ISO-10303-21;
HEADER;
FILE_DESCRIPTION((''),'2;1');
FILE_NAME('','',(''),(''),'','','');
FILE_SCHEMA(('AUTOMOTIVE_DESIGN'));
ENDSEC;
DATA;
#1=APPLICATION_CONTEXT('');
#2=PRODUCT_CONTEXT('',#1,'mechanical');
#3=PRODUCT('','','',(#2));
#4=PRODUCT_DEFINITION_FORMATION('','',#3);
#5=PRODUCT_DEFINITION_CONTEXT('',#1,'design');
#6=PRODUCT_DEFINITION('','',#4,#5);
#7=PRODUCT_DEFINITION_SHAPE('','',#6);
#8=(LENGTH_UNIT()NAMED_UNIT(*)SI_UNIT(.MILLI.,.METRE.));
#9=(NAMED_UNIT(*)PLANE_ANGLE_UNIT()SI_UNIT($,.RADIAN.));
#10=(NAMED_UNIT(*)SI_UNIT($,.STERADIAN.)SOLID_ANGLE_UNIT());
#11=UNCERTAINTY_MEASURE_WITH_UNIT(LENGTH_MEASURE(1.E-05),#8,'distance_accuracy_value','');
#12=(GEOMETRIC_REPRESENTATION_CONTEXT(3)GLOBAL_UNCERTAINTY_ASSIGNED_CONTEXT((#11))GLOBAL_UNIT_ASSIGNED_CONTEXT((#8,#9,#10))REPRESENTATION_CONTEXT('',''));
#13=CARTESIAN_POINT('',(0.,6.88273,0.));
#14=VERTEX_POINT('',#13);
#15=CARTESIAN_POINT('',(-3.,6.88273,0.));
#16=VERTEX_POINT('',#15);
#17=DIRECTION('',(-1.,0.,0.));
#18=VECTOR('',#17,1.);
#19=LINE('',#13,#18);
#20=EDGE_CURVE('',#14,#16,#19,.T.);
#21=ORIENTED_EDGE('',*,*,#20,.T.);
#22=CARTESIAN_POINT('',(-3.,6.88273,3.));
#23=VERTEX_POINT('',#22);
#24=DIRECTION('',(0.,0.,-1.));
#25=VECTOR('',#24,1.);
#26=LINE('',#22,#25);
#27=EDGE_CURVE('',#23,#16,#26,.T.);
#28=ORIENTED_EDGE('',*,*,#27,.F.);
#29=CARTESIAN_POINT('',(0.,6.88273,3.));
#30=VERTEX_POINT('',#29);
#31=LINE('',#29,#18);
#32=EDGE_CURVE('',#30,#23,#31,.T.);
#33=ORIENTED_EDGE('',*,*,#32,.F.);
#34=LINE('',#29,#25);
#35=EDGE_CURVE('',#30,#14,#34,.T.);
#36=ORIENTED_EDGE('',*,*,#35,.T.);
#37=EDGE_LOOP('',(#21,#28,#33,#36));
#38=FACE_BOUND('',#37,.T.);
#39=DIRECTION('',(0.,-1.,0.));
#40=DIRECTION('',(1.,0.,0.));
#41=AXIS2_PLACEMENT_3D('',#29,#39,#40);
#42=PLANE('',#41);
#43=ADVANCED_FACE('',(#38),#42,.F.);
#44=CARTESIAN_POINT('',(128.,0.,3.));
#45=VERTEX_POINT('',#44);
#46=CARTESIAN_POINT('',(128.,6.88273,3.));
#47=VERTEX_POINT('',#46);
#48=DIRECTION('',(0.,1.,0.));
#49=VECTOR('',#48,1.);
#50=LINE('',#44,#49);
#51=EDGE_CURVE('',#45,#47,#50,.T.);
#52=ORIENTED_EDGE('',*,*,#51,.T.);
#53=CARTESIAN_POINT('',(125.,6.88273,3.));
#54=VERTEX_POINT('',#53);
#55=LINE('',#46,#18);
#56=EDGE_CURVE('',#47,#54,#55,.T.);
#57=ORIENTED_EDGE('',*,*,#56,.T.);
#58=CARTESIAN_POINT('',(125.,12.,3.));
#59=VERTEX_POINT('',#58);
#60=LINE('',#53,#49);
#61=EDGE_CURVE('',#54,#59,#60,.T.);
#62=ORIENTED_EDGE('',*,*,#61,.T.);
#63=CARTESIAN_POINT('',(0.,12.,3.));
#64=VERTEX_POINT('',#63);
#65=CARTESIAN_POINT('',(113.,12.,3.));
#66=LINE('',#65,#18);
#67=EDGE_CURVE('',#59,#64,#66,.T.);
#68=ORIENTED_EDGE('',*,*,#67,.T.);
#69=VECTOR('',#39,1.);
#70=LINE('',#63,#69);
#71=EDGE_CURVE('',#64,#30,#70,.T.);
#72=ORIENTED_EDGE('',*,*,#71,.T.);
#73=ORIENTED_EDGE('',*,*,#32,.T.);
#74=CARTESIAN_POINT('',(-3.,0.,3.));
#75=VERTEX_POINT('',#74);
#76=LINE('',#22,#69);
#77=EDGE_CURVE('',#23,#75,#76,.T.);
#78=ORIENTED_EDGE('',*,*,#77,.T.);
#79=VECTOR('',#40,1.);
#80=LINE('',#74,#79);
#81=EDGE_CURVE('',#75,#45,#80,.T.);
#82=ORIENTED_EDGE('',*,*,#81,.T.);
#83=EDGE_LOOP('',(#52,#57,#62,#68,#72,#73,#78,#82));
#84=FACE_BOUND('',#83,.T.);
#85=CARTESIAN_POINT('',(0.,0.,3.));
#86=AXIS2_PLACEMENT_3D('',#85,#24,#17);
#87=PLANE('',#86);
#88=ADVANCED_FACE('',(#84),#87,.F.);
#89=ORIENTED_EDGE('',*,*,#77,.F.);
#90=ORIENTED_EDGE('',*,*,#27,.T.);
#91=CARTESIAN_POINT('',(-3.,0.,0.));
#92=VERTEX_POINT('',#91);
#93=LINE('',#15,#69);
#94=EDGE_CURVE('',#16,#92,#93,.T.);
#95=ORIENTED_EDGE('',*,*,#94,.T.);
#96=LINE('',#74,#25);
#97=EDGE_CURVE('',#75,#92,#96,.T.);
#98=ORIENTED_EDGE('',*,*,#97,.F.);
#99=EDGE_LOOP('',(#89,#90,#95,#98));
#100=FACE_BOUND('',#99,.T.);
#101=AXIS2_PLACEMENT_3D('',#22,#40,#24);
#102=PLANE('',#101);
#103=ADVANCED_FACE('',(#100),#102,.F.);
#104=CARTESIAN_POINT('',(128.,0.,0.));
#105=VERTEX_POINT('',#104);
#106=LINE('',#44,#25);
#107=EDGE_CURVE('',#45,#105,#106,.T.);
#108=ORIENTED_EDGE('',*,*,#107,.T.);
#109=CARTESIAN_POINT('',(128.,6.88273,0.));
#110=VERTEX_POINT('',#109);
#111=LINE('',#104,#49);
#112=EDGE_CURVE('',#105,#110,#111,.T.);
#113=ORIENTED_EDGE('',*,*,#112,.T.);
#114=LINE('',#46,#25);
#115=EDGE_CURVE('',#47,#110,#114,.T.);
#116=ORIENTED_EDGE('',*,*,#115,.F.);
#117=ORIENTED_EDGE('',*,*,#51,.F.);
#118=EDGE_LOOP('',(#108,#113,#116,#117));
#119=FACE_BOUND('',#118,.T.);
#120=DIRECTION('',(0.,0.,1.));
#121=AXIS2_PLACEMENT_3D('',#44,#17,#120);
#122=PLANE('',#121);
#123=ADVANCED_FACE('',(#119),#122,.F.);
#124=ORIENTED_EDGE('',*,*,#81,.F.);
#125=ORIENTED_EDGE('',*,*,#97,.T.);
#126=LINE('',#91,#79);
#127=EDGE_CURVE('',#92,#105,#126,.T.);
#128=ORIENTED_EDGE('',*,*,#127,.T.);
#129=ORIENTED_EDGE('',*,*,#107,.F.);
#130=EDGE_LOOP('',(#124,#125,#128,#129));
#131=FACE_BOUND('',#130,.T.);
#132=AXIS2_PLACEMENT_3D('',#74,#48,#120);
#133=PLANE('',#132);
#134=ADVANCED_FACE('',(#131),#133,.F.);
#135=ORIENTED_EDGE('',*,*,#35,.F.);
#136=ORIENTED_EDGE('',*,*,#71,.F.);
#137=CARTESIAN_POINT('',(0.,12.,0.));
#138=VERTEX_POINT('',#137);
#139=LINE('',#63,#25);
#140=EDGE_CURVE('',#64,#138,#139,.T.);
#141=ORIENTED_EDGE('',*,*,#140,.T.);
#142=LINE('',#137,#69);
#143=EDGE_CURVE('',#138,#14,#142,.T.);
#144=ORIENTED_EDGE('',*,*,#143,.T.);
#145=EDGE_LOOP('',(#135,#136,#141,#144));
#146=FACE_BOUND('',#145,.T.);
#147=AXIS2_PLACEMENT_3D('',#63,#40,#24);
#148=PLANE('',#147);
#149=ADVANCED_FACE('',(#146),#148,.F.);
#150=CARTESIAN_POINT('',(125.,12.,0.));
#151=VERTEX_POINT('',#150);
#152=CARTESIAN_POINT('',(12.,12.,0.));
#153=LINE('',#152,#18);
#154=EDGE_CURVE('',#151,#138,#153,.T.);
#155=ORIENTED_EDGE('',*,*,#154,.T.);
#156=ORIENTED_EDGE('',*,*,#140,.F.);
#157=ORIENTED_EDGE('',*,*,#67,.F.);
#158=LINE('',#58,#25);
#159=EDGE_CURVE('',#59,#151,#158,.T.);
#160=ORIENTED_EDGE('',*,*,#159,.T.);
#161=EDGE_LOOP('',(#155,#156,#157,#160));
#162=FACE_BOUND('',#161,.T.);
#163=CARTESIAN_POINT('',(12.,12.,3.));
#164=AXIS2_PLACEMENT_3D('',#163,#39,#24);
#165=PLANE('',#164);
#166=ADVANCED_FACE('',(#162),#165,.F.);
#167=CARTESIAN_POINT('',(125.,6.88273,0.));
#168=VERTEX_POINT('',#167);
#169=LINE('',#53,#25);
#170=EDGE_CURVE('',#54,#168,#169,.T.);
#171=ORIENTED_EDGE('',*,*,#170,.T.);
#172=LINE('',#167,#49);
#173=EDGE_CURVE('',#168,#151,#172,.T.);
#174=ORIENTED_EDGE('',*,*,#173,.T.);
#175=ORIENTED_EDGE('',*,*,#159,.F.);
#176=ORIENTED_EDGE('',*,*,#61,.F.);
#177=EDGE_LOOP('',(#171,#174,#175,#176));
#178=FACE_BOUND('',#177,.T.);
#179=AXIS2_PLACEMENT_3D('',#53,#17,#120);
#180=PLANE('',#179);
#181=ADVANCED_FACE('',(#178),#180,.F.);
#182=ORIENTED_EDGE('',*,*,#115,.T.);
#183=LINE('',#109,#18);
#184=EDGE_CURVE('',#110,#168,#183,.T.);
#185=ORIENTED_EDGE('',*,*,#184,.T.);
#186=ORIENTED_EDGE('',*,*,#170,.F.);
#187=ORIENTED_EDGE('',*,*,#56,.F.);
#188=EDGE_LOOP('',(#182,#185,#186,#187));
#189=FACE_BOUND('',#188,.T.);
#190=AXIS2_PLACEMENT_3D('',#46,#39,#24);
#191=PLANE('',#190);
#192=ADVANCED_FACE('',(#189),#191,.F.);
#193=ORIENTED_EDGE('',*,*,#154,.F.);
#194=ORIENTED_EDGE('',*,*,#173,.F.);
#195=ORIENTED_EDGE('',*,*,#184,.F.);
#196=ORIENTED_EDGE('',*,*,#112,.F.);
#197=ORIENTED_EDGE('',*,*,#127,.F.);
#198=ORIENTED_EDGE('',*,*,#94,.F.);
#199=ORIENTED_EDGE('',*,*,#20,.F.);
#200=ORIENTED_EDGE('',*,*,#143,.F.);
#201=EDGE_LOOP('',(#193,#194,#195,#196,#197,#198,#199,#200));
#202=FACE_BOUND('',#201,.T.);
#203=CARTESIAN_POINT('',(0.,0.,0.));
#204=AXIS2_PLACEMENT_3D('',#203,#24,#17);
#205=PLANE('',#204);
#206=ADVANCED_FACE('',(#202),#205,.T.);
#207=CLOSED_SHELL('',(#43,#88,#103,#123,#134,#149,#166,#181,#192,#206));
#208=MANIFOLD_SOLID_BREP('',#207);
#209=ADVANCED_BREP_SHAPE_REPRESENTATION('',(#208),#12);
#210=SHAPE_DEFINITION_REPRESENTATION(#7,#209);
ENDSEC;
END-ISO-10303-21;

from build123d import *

# Parameters (mm, degrees)
BOSS_EXTRUDE1_DEPTH = 3


with BuildPart() as part:
    # Sketch1 → Boss-Extrude1 (new body)
    with BuildSketch(Plane.XY):
        Polygon((12, 12), (0, 12), (0, 6.882729847), (-3, 6.882729847), (-3, 0), (128, 0), (128, 6.882729847), (125, 6.882729847), (125, 12), (113, 12), align=None)
    extrude(amount=BOSS_EXTRUDE1_DEPTH)


solid = part.part
